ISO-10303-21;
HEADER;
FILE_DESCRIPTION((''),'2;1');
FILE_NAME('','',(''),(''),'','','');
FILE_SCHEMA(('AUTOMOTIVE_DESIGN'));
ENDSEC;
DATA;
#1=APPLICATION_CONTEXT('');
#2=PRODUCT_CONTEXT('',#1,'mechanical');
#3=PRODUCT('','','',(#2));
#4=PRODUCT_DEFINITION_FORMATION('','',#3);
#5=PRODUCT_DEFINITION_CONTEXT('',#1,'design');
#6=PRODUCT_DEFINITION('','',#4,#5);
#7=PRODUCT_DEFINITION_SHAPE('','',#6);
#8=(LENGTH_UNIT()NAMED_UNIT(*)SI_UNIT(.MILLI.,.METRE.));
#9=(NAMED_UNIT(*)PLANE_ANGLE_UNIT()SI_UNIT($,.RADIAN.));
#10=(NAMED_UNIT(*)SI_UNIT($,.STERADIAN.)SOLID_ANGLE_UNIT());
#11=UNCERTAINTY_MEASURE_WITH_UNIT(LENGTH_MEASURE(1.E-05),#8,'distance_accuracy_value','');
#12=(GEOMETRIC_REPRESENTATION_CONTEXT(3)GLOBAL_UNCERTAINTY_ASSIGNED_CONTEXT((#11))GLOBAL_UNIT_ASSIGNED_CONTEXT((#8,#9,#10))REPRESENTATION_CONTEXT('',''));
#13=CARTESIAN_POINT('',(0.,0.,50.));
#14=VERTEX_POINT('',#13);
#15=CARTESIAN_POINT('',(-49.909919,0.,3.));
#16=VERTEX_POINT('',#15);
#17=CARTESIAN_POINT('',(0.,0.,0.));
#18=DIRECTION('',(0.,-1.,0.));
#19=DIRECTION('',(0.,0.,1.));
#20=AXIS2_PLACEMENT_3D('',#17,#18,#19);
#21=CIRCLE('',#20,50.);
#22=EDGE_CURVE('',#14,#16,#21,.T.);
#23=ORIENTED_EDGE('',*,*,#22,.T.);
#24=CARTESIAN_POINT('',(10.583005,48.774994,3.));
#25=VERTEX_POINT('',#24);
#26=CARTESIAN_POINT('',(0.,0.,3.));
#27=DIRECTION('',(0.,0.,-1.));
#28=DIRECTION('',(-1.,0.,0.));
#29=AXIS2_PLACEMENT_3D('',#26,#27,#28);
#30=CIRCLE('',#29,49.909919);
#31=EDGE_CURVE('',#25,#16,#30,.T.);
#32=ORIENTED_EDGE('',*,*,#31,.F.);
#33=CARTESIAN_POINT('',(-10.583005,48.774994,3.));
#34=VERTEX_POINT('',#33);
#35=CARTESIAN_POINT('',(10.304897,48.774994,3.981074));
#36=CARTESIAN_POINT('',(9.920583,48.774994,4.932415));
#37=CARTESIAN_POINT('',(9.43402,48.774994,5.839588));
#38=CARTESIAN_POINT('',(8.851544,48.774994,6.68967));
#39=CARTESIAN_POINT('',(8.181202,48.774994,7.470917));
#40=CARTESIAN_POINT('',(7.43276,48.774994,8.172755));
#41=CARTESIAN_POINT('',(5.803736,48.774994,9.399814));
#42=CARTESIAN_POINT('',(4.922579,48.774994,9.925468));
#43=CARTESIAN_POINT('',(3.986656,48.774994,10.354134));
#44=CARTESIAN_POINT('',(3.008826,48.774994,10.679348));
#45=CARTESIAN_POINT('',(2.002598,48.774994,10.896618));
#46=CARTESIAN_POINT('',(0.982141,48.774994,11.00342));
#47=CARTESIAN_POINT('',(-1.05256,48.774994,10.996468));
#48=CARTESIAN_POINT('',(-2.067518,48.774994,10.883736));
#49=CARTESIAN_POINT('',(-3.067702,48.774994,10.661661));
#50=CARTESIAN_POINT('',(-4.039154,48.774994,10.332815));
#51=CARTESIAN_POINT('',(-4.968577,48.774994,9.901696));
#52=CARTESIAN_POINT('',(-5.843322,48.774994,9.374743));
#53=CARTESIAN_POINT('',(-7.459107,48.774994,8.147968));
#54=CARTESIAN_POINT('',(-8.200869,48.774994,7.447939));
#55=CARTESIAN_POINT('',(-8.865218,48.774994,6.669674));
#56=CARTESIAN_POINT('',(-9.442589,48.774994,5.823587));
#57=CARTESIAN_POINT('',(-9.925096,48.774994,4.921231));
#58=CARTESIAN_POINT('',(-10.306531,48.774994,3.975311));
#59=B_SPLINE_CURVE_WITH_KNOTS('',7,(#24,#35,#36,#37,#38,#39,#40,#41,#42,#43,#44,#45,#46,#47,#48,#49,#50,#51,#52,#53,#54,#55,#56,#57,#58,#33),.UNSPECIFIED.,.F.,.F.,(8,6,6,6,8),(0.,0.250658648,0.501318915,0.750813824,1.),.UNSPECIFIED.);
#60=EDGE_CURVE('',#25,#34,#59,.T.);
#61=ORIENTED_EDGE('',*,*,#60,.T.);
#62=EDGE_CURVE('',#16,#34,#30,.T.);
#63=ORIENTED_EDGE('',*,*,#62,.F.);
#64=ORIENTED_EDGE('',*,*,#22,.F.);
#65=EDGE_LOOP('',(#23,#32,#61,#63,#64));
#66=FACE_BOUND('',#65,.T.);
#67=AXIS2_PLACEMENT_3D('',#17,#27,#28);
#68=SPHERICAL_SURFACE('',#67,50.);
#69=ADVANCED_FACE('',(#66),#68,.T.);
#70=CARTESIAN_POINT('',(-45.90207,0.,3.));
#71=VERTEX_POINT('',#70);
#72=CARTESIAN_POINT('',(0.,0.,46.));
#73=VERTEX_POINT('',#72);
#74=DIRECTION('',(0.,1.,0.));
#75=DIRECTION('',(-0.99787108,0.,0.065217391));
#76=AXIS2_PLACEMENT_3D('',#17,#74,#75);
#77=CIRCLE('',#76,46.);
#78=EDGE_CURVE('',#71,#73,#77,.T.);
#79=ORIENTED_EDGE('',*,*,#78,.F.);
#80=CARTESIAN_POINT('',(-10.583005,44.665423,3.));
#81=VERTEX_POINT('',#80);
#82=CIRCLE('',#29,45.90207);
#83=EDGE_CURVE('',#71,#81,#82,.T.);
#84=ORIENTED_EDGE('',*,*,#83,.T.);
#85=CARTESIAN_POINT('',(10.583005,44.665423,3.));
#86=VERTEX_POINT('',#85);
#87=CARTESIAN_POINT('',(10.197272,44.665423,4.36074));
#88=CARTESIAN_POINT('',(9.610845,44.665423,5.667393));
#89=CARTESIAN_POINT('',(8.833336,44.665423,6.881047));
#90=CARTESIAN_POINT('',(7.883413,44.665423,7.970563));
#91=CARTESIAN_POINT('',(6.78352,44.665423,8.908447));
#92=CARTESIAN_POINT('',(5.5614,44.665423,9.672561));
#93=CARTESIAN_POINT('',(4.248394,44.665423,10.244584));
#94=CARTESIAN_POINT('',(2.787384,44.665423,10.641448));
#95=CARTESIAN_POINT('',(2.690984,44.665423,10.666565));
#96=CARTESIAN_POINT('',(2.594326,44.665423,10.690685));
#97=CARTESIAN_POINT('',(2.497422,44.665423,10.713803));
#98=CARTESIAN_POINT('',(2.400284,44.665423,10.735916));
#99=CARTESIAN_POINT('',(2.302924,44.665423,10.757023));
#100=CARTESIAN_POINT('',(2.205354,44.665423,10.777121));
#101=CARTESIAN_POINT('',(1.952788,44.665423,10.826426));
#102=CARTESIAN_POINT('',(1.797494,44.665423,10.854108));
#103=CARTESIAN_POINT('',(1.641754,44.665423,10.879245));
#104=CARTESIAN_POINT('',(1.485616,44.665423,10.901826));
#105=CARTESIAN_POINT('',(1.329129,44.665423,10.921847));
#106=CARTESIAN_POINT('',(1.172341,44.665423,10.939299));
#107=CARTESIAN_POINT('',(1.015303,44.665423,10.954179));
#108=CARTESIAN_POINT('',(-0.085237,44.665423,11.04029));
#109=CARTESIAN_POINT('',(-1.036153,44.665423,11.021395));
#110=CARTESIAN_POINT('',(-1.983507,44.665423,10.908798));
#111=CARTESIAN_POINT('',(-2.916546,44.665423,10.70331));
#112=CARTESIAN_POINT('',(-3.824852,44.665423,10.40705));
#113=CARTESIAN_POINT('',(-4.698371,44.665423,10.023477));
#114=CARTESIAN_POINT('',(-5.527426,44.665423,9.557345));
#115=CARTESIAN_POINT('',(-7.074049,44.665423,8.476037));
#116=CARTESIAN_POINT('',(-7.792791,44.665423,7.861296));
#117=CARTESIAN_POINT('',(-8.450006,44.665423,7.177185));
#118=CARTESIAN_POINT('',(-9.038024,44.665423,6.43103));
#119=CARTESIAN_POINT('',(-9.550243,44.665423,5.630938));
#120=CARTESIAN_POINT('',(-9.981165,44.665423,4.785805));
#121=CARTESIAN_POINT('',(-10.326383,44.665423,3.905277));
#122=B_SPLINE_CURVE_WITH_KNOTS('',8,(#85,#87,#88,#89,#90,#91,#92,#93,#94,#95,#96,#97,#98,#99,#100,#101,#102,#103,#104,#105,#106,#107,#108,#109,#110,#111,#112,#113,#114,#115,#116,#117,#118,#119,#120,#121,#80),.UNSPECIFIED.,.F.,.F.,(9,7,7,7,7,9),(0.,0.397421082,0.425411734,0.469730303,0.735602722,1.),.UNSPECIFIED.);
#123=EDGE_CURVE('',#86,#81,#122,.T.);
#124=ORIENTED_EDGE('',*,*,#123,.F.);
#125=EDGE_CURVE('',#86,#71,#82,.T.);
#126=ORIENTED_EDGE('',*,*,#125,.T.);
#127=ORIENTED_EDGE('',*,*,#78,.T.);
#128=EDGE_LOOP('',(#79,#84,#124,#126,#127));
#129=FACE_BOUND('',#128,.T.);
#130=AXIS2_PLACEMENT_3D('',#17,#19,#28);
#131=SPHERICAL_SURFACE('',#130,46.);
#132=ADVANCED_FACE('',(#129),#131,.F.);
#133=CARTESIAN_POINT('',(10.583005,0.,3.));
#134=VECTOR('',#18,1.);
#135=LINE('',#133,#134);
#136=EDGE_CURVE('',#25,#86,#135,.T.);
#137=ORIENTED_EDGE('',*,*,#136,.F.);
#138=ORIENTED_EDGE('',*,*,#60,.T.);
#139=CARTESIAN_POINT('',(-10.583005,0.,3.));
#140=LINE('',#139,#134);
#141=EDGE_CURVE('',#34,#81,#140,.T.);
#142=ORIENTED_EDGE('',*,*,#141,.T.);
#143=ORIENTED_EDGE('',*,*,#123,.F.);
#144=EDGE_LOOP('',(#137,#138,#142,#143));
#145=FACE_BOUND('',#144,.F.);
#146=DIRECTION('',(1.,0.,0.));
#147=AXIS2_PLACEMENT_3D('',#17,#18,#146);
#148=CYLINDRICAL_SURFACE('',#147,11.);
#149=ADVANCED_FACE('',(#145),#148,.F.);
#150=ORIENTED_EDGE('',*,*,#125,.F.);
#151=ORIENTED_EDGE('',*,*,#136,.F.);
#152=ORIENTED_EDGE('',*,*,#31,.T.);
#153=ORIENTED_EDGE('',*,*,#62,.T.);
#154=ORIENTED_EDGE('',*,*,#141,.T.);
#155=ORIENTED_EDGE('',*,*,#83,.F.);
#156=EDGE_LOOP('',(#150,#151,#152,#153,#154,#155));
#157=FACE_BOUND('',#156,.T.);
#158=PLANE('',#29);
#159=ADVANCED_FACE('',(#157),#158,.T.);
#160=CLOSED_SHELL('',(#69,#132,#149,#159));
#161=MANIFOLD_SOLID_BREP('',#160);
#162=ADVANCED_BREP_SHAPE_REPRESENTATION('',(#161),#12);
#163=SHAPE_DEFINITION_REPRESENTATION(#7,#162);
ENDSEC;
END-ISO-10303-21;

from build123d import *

# Parameters (mm, degrees)
F3_D     = 22
F3_DEPTH = 49.9109188539


with BuildPart() as f1:
    # F0 (on Front) → F1 (revolve)
    with BuildSketch(Plane.XZ):
        with BuildLine():
            Line((0, 46), (0, 50))
            ThreePointArc((0, 50), (-34.278273002, 36.4005494464), (-49.9099188539, 3))
            Line((-49.9099188539, 3), (-45.9020696701, 3))
            ThreePointArc((-45.9020696701, 3), (-31.448370387, 33.5708206632), (0, 46))
        make_face()
    revolve(axis=Axis((0, 0, 25), (0, 0, -1)))

    # F3 (through all, one way)
    with BuildSketch(Plane.XZ):
        with Locations((0, 0)):
            Circle(F3_D / 2)
    extrude(amount=-F3_DEPTH, mode=Mode.SUBTRACT)


solid = f1.part
